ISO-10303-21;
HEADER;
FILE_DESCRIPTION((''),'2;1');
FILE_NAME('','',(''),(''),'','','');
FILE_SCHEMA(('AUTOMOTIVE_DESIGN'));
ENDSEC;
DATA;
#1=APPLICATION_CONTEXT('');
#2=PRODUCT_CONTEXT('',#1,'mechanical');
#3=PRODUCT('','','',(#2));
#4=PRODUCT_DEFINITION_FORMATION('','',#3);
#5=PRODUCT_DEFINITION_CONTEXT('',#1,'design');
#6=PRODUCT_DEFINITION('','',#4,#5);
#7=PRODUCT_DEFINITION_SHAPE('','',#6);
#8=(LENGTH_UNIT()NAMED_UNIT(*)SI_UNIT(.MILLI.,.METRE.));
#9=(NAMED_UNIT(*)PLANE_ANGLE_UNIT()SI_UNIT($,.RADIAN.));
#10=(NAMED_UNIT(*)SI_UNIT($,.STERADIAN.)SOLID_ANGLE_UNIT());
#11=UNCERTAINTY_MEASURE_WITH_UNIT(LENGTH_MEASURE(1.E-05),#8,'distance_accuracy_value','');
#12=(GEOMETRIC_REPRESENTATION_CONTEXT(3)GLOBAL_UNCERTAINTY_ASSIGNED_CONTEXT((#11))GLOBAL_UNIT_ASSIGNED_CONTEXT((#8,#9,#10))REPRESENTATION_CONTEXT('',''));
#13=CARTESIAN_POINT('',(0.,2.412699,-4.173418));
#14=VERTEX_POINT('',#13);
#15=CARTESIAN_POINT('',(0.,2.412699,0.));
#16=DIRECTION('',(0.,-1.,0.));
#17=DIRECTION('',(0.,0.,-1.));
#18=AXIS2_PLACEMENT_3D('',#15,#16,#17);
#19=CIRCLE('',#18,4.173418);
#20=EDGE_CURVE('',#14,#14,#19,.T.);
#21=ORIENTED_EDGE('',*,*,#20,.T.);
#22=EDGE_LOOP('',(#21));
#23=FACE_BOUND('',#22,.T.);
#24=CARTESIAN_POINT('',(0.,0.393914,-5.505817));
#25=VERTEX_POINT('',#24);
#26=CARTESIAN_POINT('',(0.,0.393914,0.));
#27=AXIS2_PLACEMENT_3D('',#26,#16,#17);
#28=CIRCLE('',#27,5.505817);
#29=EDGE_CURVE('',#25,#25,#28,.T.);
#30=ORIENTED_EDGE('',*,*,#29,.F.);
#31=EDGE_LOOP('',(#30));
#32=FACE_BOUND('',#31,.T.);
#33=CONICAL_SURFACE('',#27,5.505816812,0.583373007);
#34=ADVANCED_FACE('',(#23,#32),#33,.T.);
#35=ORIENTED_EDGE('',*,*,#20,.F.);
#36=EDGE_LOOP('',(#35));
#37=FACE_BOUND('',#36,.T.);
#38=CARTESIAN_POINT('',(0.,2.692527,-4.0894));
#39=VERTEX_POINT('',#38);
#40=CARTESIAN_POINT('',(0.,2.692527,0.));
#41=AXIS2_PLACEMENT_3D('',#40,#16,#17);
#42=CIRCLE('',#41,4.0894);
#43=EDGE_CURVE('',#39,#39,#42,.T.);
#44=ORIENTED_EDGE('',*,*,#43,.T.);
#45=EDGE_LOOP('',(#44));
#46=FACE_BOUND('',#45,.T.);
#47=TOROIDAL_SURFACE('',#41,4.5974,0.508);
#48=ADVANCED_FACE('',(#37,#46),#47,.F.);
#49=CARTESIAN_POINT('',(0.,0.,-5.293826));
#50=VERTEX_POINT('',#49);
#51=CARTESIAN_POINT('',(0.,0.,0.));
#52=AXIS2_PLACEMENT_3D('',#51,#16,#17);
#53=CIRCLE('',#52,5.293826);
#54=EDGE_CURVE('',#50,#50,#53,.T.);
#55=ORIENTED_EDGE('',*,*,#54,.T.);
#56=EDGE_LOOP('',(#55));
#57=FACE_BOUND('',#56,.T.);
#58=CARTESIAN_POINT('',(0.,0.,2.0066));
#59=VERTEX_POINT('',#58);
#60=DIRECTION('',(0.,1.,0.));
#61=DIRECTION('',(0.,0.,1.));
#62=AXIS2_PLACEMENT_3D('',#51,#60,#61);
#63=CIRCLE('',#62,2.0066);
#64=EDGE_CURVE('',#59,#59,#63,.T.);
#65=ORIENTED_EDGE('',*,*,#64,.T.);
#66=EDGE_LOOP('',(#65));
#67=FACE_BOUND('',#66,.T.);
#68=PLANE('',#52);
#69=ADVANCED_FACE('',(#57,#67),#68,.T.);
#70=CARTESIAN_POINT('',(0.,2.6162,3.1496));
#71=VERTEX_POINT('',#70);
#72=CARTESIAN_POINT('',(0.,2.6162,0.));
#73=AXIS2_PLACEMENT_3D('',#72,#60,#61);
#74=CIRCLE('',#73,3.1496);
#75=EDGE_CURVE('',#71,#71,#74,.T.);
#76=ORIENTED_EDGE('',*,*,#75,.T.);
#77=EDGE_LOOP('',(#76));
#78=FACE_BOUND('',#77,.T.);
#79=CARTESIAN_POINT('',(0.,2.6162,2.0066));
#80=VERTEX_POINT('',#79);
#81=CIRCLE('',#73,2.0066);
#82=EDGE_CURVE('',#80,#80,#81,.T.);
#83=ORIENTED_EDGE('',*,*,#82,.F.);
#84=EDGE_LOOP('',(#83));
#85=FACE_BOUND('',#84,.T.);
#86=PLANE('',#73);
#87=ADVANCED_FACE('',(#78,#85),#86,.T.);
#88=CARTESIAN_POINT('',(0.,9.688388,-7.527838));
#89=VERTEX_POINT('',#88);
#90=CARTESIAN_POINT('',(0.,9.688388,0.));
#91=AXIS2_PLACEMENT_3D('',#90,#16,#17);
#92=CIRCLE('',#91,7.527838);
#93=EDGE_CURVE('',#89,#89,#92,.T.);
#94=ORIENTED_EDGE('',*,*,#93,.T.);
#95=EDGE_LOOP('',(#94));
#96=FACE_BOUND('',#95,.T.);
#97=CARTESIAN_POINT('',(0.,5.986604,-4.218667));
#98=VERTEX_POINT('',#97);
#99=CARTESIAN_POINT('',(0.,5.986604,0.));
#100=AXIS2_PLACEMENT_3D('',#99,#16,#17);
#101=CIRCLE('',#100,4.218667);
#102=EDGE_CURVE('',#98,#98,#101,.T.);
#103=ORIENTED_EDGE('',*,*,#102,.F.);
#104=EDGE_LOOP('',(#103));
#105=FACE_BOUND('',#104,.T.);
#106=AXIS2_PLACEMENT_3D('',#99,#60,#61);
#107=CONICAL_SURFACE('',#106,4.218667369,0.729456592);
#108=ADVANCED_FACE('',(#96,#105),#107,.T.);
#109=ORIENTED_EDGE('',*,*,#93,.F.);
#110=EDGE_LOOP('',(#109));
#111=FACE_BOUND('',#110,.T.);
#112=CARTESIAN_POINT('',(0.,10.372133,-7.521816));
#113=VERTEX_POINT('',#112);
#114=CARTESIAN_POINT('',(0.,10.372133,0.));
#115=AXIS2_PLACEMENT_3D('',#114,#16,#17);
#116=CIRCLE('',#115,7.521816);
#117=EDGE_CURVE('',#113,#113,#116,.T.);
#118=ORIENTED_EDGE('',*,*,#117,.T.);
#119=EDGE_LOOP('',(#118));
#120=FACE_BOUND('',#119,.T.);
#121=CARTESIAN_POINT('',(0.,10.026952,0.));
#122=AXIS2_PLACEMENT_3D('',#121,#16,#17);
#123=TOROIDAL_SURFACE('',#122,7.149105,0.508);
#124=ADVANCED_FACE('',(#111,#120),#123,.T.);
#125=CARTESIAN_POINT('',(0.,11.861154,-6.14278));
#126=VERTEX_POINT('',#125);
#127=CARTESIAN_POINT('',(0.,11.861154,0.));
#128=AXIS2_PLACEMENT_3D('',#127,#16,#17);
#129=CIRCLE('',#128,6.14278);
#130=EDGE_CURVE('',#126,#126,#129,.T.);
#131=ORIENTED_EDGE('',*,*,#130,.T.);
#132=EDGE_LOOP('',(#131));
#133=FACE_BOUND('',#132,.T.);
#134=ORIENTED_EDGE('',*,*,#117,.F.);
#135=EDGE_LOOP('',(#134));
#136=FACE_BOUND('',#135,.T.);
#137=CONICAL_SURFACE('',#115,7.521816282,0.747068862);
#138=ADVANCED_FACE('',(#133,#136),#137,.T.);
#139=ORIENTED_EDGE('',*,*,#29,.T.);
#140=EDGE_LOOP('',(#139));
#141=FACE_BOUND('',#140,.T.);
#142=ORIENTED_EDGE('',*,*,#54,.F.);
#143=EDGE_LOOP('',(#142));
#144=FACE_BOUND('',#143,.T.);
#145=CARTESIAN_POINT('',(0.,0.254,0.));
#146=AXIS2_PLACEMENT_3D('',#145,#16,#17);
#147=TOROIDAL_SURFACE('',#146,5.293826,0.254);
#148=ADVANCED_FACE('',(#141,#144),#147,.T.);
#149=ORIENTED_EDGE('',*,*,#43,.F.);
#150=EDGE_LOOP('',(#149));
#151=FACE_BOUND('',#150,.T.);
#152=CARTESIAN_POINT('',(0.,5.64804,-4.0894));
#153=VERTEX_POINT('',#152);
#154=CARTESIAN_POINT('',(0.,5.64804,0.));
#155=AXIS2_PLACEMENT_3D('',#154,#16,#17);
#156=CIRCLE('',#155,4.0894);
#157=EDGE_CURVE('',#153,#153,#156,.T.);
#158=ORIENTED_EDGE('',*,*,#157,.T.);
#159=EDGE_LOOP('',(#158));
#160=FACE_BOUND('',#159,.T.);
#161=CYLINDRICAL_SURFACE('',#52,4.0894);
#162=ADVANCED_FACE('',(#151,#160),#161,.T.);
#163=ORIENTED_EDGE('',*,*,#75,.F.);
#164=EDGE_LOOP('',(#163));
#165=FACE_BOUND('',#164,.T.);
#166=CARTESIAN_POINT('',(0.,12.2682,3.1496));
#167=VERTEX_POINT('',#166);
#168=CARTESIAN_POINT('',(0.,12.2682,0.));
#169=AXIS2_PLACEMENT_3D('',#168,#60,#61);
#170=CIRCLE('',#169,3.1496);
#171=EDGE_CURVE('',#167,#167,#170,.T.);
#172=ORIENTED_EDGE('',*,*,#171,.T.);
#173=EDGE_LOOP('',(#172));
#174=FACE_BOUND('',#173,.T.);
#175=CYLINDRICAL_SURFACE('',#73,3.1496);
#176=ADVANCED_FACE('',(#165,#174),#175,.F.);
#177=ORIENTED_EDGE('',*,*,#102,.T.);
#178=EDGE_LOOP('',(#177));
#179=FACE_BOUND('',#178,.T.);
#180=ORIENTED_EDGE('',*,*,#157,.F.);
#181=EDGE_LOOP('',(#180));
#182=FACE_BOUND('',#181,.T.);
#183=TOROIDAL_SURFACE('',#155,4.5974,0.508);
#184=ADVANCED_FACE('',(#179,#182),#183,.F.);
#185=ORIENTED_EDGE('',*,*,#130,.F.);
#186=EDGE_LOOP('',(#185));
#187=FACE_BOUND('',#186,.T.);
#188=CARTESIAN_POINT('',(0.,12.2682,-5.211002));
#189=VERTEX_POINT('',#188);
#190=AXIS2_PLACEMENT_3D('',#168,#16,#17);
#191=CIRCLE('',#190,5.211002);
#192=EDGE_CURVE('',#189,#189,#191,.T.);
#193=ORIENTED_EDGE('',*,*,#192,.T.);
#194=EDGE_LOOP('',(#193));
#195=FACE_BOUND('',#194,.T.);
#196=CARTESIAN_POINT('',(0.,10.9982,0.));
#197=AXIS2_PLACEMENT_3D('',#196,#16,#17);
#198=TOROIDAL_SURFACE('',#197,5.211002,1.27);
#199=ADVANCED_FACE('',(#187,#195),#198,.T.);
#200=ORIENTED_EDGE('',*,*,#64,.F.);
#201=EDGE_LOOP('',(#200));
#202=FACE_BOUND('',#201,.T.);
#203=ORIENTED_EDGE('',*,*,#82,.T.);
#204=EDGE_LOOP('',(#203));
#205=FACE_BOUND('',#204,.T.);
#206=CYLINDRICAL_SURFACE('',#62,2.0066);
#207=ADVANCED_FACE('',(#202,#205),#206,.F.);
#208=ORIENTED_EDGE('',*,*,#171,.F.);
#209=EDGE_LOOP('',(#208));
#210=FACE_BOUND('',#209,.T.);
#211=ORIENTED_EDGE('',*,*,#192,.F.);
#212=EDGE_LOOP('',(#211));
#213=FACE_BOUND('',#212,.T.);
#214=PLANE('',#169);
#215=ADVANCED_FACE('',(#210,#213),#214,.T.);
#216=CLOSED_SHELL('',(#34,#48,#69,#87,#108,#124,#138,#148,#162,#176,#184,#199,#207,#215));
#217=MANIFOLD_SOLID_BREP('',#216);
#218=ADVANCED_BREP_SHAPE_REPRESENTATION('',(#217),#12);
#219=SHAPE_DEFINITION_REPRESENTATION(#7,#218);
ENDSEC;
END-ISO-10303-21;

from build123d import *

# Parameters (mm, degrees)
SKETCH2_R          = 3.1496
SKETCH2_R_2        = 2.0066
CUT_EXTRUDE1_DEPTH = 9.652
SKETCH2_2_R        = 2.0066
CUT_EXTRUDE2_DEPTH = 17.363717474


with BuildPart() as part:
    # Sketch1 → Revolve1 (revolve)
    with BuildSketch(Plane.XY):
        with BuildLine():
            Line((0, 0), (5.293826023, 0))
            ThreePointArc((5.293826023, 0), (5.517493338, 0.13363002), (5.505816812, 0.393913921))
            Line((5.505816812, 0.393913921), (4.173418421, 2.412699361))
            ThreePointArc((4.173418421, 2.412699361), (4.110857791, 2.54644271), (4.0894, 2.692527203))
            Line((4.0894, 2.692527203), (4.0894, 5.648040158))
            ThreePointArc((4.0894, 5.648040158), (4.122815879, 5.82924146), (4.218667369, 5.986604176))
            Line((4.218667369, 5.986604176), (7.527837593, 9.688387816))
            ThreePointArc((7.527837593, 9.688387816), (7.657085265, 10.031425293), (7.521816282, 10.37213334))
            Line((7.521816282, 10.37213334), (6.142780319, 11.861153766))
            ThreePointArc((6.142780319, 11.861153766), (5.719405756, 12.161997938), (5.21100202, 12.2682))
            Line((5.21100202, 12.2682), (0, 12.2682))
            Line((0, 12.2682), (0, 0))
        make_face()
    revolve(axis=Axis((0, 0, 0), (0, 1, 0)))

    # Sketch2 → Cut-Extrude1 (cut)
    with BuildSketch(Plane(origin=(0, 12.2682, 0), x_dir=(1, 0, 0), z_dir=(0, 1, 0))):
        Circle(SKETCH2_R)
        Circle(SKETCH2_R_2, mode=Mode.SUBTRACT)
    extrude(amount=-CUT_EXTRUDE1_DEPTH, mode=Mode.SUBTRACT)

    # Sketch2<2> → Cut-Extrude2 (cut, through all)
    with BuildSketch(Plane(origin=(0, 12.2682, 0), x_dir=(1, 0, 0), z_dir=(0, 1, 0))):
        Circle(SKETCH2_2_R)
    extrude(amount=-CUT_EXTRUDE2_DEPTH, mode=Mode.SUBTRACT)


solid = part.part
